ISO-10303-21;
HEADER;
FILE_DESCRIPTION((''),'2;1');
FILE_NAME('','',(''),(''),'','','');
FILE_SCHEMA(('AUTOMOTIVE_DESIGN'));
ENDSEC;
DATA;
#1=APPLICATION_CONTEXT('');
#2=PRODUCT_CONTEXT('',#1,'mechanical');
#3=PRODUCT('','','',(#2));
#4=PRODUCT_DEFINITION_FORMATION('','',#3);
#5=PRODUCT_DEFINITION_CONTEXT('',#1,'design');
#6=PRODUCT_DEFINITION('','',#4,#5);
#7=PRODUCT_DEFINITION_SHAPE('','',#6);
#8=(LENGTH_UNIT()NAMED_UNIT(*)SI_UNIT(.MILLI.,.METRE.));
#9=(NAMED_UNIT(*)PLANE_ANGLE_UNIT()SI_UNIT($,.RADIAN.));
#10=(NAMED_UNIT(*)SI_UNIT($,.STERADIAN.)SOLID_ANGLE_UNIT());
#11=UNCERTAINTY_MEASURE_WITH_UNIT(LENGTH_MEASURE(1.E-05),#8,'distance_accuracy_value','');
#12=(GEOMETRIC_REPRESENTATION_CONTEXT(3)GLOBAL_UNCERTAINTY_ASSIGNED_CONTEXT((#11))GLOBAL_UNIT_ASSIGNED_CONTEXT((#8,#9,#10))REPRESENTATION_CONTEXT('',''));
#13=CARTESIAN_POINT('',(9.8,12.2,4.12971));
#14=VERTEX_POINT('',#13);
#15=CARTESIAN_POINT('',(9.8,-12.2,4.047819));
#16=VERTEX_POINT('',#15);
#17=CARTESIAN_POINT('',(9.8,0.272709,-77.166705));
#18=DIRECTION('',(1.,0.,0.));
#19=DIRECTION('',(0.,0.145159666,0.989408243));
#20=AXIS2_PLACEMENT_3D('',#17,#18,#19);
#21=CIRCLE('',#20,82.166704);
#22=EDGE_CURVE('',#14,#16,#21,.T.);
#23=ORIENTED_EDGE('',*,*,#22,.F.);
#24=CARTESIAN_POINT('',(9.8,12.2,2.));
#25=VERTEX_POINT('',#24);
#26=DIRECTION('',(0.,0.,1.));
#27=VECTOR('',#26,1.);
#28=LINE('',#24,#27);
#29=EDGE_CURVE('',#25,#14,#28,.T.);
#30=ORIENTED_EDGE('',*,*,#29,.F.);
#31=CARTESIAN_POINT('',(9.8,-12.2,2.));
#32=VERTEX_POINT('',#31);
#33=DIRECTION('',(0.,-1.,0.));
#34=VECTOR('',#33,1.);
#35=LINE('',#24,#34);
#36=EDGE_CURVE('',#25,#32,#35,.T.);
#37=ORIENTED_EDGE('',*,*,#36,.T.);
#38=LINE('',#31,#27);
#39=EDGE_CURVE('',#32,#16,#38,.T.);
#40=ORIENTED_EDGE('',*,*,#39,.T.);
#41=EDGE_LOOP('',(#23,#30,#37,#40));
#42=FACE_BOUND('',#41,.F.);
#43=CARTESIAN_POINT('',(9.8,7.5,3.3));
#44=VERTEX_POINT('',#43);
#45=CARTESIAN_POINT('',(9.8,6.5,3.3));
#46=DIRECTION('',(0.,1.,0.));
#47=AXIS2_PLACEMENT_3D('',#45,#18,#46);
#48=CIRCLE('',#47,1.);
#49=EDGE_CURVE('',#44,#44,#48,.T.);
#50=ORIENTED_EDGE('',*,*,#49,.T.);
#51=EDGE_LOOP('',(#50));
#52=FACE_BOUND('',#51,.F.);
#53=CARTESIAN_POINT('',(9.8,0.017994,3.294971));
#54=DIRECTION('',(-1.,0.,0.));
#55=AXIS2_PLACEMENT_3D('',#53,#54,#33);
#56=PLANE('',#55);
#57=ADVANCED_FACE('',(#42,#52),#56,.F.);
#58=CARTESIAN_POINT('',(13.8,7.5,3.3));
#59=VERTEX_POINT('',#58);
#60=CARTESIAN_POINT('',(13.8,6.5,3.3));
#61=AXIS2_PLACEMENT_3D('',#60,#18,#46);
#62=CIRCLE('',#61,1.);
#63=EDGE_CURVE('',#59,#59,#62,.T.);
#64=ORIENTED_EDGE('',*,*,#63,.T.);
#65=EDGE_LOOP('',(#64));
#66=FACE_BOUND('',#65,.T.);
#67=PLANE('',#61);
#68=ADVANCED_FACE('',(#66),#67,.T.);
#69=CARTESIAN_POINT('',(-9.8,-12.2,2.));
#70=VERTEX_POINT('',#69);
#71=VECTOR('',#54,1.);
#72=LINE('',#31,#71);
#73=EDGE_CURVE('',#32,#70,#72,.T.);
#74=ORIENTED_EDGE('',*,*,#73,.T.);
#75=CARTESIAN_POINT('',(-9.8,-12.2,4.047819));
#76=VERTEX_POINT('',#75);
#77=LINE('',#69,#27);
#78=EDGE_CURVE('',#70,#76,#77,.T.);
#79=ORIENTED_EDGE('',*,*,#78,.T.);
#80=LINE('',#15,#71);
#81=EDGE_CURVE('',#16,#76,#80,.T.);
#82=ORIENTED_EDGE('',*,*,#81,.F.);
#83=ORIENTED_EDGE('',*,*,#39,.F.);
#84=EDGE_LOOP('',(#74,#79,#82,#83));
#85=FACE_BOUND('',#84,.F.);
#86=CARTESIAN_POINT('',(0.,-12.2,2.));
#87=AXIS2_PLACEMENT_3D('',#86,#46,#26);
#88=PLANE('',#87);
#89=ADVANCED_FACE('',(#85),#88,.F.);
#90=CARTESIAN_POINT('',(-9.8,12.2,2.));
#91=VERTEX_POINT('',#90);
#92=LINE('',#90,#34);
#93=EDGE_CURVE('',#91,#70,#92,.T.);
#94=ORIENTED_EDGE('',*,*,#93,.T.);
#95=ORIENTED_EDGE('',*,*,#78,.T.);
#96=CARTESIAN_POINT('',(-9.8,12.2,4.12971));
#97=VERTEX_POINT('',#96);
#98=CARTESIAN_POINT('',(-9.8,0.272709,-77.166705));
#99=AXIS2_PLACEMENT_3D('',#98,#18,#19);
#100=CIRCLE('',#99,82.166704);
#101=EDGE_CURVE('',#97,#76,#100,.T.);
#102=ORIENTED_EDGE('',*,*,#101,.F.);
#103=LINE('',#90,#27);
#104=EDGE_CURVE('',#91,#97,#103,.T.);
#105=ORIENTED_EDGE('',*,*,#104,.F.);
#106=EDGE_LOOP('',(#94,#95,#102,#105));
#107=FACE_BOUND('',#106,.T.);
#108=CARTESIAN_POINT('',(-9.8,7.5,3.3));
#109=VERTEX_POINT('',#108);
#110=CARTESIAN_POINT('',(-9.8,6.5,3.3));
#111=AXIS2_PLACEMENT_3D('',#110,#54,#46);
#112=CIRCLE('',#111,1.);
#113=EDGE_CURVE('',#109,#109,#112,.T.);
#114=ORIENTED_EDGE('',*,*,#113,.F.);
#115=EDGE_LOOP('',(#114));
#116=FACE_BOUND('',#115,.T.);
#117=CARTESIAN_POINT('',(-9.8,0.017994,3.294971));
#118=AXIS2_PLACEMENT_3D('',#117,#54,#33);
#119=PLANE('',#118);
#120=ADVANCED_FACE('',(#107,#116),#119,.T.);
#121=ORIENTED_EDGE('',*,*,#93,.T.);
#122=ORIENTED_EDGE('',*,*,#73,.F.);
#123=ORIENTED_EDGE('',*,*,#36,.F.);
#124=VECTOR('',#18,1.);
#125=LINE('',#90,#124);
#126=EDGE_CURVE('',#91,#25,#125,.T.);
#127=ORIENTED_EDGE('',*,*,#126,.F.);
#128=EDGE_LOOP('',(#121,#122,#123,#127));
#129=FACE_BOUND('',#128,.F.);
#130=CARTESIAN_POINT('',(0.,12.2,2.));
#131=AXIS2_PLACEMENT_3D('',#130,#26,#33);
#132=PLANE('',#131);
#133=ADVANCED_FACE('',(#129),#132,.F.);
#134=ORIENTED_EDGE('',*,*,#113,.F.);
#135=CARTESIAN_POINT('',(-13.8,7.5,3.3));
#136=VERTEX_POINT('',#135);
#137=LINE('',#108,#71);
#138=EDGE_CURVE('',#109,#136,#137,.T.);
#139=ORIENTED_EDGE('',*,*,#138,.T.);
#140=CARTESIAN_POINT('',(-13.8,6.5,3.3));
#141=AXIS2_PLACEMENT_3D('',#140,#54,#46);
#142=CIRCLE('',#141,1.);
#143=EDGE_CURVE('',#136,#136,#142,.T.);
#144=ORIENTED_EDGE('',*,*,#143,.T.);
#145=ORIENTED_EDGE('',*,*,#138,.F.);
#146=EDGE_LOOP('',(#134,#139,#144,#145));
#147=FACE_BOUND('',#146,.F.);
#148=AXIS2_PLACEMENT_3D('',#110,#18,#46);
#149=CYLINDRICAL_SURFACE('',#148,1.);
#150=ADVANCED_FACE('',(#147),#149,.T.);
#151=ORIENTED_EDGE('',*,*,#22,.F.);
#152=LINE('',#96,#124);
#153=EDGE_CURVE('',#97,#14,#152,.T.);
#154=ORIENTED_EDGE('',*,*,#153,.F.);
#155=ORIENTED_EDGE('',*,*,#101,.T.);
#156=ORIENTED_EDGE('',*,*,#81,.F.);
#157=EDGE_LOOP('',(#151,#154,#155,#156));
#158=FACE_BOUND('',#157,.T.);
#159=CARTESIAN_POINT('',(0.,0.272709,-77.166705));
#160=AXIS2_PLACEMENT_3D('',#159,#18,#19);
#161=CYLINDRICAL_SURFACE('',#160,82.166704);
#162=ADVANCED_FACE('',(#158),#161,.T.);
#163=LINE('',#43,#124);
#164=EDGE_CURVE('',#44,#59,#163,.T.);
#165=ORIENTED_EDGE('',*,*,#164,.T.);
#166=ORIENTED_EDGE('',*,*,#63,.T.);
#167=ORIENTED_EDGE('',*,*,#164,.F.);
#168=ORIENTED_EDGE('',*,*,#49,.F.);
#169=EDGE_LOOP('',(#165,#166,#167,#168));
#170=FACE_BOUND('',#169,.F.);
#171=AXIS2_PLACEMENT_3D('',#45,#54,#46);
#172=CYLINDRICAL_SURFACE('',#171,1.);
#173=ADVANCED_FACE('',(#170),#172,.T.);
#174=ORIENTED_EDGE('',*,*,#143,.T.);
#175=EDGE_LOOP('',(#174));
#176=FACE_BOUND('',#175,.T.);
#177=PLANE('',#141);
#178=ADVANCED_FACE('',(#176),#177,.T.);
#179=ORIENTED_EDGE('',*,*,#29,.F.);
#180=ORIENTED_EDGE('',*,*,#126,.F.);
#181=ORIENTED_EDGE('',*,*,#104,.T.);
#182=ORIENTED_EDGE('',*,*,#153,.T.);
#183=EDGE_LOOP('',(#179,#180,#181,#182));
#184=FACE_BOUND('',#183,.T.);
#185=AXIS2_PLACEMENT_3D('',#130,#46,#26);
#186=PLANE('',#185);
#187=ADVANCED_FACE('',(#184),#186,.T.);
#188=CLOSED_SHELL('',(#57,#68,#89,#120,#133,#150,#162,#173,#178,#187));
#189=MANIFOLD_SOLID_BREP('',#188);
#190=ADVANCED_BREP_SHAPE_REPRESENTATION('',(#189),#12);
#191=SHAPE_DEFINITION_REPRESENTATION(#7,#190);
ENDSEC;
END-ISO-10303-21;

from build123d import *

# Parameters (mm, degrees)
PAD002_DEPTH = 9.8
SKETCH008_R  = 1
PAD003_DEPTH = 4
SKETCH009_R  = 1
PAD004_DEPTH = 4


with BuildPart() as part:
    # Sketch006 → Pad002 (new body, symmetric)
    with BuildSketch(Plane.YZ):
        with BuildLine():
            Line((12.2, 2), (-12.2, 2))
            Line((-12.2, 2), (-12.2, 4.047819))
            ThreePointArc((12.2, 4.12971), (-0.003057, 4.999537), (-12.2, 4.047819))
            Line((12.2, 2), (12.2, 4.12971))
        make_face()
    extrude(amount=PAD002_DEPTH, both=True)

    # Sketch008 → Pad003 (new body)
    with BuildSketch(Plane.YZ.offset(9.8)):
        with Locations((6.5, 3.3)):
            Circle(SKETCH008_R)
    extrude(amount=PAD003_DEPTH)

    # Sketch009 → Pad004 (new body)
    with BuildSketch(Plane(origin=(-9.8, 0, 0), x_dir=(0, 1, 0), z_dir=(-1, 0, 0))):
        with Locations((6.5, -3.3)):
            Circle(SKETCH009_R)
    extrude(amount=PAD004_DEPTH)


solid = part.part
